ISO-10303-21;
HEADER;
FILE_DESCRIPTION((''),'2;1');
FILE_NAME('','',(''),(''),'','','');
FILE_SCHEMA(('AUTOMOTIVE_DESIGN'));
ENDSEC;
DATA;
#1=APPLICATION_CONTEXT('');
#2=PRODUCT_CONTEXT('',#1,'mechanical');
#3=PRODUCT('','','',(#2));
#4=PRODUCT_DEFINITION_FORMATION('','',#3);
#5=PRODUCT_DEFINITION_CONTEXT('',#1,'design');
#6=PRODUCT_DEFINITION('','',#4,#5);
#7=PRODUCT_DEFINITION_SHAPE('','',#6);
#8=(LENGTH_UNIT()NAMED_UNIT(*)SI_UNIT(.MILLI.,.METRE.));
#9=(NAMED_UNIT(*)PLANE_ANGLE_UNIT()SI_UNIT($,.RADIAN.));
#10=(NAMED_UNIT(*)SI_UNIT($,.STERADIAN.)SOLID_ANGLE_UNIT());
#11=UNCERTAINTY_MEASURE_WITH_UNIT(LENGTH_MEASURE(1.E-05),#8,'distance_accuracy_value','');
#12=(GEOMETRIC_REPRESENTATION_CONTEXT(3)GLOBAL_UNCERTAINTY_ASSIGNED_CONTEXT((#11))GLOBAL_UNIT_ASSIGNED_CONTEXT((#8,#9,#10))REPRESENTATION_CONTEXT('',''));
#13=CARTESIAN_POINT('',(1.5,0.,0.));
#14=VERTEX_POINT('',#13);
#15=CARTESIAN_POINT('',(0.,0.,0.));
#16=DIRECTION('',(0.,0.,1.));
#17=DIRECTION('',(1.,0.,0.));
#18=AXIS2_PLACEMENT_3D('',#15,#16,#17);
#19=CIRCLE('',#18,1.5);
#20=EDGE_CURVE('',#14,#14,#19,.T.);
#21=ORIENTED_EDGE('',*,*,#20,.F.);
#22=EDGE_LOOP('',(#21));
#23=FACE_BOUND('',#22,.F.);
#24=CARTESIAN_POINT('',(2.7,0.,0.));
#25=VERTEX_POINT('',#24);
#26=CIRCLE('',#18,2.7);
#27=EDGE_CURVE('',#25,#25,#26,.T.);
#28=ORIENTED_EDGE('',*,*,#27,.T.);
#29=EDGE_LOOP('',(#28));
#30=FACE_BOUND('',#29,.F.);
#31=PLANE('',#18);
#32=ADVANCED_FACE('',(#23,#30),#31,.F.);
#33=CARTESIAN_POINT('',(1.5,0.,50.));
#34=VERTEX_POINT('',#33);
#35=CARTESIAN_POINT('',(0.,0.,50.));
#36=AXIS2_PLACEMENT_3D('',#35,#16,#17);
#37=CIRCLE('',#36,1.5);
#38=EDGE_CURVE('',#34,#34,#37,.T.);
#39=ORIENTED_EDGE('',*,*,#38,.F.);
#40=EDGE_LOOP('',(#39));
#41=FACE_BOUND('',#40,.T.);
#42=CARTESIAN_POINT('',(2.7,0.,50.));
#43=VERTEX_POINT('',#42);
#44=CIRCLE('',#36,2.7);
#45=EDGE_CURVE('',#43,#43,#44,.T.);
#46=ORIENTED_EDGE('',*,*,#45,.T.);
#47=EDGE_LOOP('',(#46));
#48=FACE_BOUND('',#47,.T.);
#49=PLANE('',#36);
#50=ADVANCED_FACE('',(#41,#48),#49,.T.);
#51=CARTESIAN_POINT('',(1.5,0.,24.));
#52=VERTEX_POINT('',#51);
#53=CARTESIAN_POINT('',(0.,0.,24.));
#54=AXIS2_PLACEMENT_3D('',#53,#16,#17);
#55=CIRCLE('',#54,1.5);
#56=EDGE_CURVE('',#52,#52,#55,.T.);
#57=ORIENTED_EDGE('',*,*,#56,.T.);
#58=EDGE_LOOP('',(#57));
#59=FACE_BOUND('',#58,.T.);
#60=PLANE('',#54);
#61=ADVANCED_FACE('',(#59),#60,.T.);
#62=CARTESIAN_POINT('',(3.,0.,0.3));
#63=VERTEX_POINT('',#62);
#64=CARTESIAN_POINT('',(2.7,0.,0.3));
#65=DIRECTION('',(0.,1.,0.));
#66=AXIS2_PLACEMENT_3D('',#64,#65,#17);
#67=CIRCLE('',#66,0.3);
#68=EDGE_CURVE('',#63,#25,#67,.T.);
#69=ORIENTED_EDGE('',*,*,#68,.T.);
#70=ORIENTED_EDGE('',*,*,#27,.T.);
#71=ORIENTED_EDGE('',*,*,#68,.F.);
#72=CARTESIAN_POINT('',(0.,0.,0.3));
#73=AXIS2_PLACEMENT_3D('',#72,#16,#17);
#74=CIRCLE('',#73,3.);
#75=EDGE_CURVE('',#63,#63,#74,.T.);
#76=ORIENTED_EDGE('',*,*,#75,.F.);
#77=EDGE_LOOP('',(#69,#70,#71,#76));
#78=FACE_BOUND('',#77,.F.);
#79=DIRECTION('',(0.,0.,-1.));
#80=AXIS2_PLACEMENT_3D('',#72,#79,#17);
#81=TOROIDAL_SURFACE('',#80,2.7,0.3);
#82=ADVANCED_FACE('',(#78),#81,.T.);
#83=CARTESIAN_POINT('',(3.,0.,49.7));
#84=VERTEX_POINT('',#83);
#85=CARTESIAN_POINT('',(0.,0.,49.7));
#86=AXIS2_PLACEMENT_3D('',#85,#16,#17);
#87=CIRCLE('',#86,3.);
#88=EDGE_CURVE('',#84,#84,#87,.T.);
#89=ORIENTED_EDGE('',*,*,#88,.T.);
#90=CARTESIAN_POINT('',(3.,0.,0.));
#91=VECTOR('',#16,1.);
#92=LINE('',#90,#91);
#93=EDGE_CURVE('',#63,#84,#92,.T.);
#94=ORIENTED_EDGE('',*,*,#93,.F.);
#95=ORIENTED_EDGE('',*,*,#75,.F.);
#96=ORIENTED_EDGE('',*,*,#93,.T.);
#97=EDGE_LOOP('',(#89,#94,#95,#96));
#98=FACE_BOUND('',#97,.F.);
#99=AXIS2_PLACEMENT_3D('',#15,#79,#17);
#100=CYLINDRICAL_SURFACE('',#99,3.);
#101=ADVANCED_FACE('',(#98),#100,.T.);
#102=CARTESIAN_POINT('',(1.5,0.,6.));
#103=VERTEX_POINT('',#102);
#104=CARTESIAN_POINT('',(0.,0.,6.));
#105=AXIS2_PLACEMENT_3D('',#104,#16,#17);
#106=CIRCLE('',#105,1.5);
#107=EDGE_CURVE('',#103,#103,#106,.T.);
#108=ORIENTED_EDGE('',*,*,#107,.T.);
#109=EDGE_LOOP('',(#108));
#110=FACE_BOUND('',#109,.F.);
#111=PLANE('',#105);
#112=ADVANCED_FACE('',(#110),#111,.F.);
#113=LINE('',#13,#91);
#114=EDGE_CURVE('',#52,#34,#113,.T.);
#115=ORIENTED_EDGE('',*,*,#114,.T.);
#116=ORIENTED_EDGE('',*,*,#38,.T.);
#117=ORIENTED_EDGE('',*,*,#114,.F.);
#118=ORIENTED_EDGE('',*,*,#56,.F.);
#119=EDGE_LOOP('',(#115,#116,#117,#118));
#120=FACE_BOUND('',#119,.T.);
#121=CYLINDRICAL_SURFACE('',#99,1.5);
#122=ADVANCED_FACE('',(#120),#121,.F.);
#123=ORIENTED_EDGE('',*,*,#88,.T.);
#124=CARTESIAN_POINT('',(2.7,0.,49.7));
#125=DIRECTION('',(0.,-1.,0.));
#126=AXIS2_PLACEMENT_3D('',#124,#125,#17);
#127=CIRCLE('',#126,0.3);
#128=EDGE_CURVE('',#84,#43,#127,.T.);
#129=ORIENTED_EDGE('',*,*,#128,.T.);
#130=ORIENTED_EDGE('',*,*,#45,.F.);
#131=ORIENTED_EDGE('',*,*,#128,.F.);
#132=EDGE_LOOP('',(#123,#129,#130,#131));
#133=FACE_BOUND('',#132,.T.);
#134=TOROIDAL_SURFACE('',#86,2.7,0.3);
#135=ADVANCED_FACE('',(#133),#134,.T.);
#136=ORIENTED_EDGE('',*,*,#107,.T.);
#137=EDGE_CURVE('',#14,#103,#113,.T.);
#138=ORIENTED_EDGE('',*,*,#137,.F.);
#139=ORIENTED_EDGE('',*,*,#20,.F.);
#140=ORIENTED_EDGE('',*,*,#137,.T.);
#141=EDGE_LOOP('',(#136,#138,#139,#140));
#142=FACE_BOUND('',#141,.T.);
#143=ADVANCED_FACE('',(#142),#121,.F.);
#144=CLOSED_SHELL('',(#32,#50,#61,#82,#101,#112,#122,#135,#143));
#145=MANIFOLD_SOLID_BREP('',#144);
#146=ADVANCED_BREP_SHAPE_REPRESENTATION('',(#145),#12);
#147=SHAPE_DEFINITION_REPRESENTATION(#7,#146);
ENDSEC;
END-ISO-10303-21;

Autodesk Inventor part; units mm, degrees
ref_plane "YZ Plane" through (0, 0, 0) normal (1, 0, 0) x (0, 1, 0)
ref_plane "XZ Plane" through (0, 0, 0) normal (0, 1, 0) x (-1, 0, 0)
ref_plane "XY Plane" through (0, 0, 0) normal (0, 0, 1) x (1, 0, 0)
sketch "スケッチ1" plane through (0, 0, 0) normal (0, 0, 1) x (1, 0, 0)
  circle A0 centre (0, 0) radius 3
  circle A1 centre (0, 0) radius 1.5
  dimension "d0" = 6
  dimension "d1" = 3
extrude "押し出し1" add sketch "スケッチ1" along normal blind 50
fillet "フィレット1" radius 0.3 2 edges at (-3, 0, 50) (-3, 0, 0)
thread "ねじ1" size "M3x0.5" class "6H" standard "ANSI Metric M Profile" length 100
extrude "押し出し2" add sketch "スケッチ1" along normal blind 24 contours A1
extrude "押し出し3" cut sketch "スケッチ1" along normal blind 6 contours A1
thread "ねじ2" size "M3x0.5" class "6H" standard "ANSI Metric M Profile" full length
properties part number "スペーサーM3L50アルミ" material "アルミニウム 2014-T4"
